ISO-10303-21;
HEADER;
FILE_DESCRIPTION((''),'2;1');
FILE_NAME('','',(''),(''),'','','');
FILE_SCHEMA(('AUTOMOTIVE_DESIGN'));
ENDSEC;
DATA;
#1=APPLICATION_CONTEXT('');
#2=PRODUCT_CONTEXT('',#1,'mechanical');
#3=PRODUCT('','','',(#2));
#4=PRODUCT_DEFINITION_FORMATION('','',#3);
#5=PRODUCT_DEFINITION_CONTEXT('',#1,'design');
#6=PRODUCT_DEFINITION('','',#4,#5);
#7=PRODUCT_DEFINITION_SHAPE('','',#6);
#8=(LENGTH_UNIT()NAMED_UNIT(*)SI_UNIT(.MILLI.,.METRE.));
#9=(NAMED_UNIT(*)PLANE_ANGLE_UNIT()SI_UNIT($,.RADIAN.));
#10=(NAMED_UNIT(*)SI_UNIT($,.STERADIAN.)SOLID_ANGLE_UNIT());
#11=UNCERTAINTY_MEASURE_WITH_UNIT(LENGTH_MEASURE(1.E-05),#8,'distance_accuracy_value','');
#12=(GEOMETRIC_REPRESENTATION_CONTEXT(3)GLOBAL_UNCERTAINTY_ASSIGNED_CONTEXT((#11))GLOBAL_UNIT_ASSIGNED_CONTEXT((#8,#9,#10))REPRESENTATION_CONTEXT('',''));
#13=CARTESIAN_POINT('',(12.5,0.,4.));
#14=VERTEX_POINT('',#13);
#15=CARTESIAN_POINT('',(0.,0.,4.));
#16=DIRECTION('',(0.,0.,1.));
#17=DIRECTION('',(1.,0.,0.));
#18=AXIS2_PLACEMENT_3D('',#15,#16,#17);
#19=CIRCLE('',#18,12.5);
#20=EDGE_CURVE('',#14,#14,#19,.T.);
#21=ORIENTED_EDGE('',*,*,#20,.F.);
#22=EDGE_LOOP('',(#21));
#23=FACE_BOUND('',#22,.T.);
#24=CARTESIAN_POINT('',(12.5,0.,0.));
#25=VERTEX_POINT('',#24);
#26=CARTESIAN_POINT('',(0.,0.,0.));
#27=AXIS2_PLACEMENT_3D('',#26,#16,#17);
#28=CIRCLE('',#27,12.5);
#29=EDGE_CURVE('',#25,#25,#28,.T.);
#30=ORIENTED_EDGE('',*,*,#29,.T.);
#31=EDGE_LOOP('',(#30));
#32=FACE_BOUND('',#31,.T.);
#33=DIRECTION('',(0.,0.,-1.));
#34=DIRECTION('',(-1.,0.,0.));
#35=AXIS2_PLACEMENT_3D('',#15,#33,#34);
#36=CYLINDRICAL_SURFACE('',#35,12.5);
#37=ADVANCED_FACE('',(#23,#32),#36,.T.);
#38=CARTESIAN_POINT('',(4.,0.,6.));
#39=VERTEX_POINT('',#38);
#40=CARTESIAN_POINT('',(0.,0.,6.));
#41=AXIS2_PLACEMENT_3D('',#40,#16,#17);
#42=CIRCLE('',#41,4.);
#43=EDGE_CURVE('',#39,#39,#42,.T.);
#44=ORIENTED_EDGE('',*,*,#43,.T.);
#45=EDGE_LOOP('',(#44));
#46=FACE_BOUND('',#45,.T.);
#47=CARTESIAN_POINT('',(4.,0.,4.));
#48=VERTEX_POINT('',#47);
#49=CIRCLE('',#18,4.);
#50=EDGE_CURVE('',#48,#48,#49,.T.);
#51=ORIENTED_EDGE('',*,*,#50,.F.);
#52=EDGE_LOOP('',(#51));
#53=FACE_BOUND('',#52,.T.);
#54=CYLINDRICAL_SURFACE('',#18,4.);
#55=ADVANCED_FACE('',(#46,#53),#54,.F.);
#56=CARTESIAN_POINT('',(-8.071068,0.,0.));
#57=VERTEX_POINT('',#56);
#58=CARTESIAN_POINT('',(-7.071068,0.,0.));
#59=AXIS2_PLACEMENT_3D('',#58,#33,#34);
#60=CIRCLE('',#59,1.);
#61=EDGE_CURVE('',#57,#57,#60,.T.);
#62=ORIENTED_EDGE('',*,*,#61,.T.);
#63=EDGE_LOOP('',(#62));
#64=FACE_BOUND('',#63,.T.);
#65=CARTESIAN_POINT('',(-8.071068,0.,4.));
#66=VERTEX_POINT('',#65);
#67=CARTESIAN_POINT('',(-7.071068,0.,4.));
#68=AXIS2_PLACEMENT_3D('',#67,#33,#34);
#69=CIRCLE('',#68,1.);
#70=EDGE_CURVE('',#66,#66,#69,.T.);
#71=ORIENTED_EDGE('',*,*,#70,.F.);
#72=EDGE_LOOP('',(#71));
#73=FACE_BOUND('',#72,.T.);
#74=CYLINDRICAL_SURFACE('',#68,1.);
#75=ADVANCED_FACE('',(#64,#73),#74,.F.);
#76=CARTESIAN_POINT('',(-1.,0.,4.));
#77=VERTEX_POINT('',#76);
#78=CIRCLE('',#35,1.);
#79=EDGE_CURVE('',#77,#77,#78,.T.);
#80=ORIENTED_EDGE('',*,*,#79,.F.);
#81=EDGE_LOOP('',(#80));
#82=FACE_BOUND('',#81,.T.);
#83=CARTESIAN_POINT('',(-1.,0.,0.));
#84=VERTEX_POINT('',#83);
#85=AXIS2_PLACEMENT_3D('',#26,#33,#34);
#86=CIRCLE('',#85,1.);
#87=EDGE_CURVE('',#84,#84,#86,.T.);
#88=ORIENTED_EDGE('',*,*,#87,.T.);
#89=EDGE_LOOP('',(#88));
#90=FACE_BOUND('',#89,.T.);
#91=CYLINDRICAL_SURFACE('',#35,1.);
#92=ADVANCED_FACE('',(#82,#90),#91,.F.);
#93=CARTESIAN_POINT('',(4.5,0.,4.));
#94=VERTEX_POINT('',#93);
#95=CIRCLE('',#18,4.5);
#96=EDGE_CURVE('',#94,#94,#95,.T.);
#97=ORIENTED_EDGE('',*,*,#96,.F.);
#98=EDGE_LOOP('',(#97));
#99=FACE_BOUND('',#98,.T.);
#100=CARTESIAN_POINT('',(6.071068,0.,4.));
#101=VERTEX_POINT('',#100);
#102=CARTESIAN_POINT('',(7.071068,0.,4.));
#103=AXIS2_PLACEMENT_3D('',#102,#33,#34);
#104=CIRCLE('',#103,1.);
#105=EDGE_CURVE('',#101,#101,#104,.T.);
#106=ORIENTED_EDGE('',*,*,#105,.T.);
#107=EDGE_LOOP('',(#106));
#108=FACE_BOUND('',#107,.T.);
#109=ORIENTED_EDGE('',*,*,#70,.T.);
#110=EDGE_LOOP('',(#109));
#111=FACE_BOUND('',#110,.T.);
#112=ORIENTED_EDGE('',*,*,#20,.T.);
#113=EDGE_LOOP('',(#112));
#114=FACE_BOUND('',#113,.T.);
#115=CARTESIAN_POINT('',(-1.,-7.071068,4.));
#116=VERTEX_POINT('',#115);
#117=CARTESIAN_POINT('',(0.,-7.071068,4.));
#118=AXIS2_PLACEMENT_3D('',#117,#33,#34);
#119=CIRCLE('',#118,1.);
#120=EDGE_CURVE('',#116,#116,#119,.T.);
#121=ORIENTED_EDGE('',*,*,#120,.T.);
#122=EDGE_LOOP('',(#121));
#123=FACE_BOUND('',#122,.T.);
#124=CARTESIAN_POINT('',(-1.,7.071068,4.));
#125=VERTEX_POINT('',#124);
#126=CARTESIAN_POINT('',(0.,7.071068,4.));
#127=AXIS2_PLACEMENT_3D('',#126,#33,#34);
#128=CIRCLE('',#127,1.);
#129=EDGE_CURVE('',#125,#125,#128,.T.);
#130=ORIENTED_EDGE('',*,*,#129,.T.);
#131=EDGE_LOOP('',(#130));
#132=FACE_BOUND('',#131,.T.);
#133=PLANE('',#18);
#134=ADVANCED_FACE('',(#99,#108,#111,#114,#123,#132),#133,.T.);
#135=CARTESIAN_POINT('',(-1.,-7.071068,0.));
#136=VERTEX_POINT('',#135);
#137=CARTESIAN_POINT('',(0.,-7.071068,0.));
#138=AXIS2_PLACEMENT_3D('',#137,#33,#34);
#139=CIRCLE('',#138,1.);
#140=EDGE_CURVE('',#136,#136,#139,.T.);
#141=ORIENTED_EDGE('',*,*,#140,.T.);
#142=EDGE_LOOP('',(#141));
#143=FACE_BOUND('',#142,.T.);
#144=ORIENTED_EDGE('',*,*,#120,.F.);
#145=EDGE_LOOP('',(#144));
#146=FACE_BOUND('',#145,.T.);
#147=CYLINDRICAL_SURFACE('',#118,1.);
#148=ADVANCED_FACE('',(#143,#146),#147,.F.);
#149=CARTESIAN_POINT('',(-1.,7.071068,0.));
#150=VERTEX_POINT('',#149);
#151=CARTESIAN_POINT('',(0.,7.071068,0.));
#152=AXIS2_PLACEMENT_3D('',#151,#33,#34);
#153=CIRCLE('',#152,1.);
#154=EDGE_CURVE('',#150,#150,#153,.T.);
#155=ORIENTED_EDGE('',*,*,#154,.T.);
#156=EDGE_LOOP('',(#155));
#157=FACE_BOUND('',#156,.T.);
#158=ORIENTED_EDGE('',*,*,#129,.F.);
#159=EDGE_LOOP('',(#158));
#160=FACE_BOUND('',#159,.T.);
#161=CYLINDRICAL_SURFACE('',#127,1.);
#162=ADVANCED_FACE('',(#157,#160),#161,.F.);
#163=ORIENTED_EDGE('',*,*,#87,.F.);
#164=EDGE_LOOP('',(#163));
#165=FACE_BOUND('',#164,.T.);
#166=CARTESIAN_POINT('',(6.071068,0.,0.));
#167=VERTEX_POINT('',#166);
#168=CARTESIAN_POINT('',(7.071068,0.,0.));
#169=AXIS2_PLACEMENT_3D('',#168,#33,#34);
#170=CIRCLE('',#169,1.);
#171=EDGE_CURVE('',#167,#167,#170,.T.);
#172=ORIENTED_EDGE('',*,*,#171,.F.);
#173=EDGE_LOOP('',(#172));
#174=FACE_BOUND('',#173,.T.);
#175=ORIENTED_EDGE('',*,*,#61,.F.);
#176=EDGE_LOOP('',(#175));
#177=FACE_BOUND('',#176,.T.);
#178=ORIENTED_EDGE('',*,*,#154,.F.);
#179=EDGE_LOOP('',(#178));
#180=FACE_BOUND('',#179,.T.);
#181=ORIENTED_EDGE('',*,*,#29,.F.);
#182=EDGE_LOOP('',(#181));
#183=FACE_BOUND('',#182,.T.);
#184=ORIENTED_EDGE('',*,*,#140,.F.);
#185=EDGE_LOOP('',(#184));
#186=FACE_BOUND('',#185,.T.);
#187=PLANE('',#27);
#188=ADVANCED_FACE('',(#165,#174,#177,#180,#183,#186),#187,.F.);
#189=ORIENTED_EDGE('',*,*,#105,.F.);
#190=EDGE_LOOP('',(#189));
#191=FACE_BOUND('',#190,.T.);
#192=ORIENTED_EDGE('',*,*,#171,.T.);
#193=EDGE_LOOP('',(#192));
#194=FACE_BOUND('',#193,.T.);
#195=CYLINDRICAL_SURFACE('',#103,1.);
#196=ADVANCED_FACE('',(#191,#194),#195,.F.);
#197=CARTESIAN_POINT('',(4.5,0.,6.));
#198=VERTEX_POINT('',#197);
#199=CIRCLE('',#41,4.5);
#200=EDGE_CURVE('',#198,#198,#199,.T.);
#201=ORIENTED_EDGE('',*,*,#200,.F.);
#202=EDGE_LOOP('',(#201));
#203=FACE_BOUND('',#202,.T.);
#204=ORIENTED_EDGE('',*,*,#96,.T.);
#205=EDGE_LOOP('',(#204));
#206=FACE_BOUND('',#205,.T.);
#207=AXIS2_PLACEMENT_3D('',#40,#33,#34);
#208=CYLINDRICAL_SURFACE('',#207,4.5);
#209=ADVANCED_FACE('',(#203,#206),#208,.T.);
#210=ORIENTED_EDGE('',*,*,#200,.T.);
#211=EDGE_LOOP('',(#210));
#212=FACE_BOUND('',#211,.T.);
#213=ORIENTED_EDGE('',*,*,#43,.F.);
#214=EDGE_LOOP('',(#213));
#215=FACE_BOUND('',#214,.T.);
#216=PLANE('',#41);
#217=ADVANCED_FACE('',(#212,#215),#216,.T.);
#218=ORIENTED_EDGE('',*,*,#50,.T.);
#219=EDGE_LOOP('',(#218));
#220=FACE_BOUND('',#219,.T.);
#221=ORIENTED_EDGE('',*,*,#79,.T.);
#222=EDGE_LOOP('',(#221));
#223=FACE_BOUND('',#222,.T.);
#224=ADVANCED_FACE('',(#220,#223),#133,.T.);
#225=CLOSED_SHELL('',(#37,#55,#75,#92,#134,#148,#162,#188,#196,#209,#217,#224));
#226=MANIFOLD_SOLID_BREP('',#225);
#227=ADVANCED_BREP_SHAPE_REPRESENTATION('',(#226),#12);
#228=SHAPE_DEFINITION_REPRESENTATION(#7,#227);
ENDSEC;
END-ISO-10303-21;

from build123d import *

# Parameters (mm, degrees)
SKETCH_1_R          = 12.5
EXTRUDE_1_DEPTH     = 4
SKETCH_2_R          = 4.5
EXTRUDE_2_DEPTH     = 2
SKETCH_3_R          = 1
CUT_EXTRUDE_3_DEPTH = 19.12456896
SKETCH_4_R          = 1
CUT_EXTRUDE_4_DEPTH = 19.668154703
SKETCH_5_R          = 4
CUT_EXTRUDE_5_DEPTH = 2
SKETCH_6_R          = 12.5
EXTRUDE_3_DEPTH     = 4
SKETCH_7_R          = 1
CUT_EXTRUDE_6_DEPTH = 4


with BuildPart() as part:
    # 草图1 → 凸台-拉伸1 (new body)
    with BuildSketch(Plane.XY):
        Circle(SKETCH_1_R)
    extrude(amount=EXTRUDE_1_DEPTH)

    # 草图2 → 凸台-拉伸2 (add)
    with BuildSketch(Plane.XY.offset(4)):
        Circle(SKETCH_2_R)
    extrude(amount=EXTRUDE_2_DEPTH)

    # 草图3 → 切除-拉伸3 (cut, through all)
    with BuildSketch(Plane.XY.offset(4)):
        with Locations((4.955921216, 5)):
            Circle(SKETCH_3_R)
        with Locations(Location((4.955921216, -5, 0), (0, 0, 180))):
            Circle(SKETCH_3_R)
        with Locations((-4.955921216, -5)):
            Circle(SKETCH_3_R)
        with Locations(Location((-4.955921216, 5, 0), (0, 0, 180))):
            Circle(SKETCH_3_R)
    extrude(amount=-CUT_EXTRUDE_3_DEPTH, mode=Mode.SUBTRACT)

    # 草图4 → 切除-拉伸4 (cut, through all)
    with BuildSketch(Plane.XY.offset(6)):
        Circle(SKETCH_4_R)
    extrude(amount=-CUT_EXTRUDE_4_DEPTH, mode=Mode.SUBTRACT)

    # 草图5 → 切除-拉伸5 (cut)
    with BuildSketch(Plane.XY.offset(6)):
        Circle(SKETCH_5_R)
    extrude(amount=-CUT_EXTRUDE_5_DEPTH, mode=Mode.SUBTRACT)

    # 草图6 → 凸台-拉伸3 (add)
    with BuildSketch(Plane(origin=(0, 0, 0), x_dir=(-1, 0, 0), z_dir=(0, 0, -1))):
        with Locations(Location((0, 0, 0), (0, 0, 180))):
            Circle(SKETCH_6_R)
    extrude(amount=-EXTRUDE_3_DEPTH)

    # 草图7 → 切除-拉伸6 (cut)
    with BuildSketch(Plane(origin=(0, 0, 0), x_dir=(-1, 0, 0), z_dir=(0, 0, -1))):
        with Locations((7.071067812, 0)):
            Circle(SKETCH_7_R)
        Circle(SKETCH_7_R)
        with Locations((0, 7.071067812)):
            Circle(SKETCH_7_R)
        with Locations((-7.071067812, 0)):
            Circle(SKETCH_7_R)
        with Locations((0, -7.071067812)):
            Circle(SKETCH_7_R)
    extrude(amount=-CUT_EXTRUDE_6_DEPTH, mode=Mode.SUBTRACT)


solid = part.part
